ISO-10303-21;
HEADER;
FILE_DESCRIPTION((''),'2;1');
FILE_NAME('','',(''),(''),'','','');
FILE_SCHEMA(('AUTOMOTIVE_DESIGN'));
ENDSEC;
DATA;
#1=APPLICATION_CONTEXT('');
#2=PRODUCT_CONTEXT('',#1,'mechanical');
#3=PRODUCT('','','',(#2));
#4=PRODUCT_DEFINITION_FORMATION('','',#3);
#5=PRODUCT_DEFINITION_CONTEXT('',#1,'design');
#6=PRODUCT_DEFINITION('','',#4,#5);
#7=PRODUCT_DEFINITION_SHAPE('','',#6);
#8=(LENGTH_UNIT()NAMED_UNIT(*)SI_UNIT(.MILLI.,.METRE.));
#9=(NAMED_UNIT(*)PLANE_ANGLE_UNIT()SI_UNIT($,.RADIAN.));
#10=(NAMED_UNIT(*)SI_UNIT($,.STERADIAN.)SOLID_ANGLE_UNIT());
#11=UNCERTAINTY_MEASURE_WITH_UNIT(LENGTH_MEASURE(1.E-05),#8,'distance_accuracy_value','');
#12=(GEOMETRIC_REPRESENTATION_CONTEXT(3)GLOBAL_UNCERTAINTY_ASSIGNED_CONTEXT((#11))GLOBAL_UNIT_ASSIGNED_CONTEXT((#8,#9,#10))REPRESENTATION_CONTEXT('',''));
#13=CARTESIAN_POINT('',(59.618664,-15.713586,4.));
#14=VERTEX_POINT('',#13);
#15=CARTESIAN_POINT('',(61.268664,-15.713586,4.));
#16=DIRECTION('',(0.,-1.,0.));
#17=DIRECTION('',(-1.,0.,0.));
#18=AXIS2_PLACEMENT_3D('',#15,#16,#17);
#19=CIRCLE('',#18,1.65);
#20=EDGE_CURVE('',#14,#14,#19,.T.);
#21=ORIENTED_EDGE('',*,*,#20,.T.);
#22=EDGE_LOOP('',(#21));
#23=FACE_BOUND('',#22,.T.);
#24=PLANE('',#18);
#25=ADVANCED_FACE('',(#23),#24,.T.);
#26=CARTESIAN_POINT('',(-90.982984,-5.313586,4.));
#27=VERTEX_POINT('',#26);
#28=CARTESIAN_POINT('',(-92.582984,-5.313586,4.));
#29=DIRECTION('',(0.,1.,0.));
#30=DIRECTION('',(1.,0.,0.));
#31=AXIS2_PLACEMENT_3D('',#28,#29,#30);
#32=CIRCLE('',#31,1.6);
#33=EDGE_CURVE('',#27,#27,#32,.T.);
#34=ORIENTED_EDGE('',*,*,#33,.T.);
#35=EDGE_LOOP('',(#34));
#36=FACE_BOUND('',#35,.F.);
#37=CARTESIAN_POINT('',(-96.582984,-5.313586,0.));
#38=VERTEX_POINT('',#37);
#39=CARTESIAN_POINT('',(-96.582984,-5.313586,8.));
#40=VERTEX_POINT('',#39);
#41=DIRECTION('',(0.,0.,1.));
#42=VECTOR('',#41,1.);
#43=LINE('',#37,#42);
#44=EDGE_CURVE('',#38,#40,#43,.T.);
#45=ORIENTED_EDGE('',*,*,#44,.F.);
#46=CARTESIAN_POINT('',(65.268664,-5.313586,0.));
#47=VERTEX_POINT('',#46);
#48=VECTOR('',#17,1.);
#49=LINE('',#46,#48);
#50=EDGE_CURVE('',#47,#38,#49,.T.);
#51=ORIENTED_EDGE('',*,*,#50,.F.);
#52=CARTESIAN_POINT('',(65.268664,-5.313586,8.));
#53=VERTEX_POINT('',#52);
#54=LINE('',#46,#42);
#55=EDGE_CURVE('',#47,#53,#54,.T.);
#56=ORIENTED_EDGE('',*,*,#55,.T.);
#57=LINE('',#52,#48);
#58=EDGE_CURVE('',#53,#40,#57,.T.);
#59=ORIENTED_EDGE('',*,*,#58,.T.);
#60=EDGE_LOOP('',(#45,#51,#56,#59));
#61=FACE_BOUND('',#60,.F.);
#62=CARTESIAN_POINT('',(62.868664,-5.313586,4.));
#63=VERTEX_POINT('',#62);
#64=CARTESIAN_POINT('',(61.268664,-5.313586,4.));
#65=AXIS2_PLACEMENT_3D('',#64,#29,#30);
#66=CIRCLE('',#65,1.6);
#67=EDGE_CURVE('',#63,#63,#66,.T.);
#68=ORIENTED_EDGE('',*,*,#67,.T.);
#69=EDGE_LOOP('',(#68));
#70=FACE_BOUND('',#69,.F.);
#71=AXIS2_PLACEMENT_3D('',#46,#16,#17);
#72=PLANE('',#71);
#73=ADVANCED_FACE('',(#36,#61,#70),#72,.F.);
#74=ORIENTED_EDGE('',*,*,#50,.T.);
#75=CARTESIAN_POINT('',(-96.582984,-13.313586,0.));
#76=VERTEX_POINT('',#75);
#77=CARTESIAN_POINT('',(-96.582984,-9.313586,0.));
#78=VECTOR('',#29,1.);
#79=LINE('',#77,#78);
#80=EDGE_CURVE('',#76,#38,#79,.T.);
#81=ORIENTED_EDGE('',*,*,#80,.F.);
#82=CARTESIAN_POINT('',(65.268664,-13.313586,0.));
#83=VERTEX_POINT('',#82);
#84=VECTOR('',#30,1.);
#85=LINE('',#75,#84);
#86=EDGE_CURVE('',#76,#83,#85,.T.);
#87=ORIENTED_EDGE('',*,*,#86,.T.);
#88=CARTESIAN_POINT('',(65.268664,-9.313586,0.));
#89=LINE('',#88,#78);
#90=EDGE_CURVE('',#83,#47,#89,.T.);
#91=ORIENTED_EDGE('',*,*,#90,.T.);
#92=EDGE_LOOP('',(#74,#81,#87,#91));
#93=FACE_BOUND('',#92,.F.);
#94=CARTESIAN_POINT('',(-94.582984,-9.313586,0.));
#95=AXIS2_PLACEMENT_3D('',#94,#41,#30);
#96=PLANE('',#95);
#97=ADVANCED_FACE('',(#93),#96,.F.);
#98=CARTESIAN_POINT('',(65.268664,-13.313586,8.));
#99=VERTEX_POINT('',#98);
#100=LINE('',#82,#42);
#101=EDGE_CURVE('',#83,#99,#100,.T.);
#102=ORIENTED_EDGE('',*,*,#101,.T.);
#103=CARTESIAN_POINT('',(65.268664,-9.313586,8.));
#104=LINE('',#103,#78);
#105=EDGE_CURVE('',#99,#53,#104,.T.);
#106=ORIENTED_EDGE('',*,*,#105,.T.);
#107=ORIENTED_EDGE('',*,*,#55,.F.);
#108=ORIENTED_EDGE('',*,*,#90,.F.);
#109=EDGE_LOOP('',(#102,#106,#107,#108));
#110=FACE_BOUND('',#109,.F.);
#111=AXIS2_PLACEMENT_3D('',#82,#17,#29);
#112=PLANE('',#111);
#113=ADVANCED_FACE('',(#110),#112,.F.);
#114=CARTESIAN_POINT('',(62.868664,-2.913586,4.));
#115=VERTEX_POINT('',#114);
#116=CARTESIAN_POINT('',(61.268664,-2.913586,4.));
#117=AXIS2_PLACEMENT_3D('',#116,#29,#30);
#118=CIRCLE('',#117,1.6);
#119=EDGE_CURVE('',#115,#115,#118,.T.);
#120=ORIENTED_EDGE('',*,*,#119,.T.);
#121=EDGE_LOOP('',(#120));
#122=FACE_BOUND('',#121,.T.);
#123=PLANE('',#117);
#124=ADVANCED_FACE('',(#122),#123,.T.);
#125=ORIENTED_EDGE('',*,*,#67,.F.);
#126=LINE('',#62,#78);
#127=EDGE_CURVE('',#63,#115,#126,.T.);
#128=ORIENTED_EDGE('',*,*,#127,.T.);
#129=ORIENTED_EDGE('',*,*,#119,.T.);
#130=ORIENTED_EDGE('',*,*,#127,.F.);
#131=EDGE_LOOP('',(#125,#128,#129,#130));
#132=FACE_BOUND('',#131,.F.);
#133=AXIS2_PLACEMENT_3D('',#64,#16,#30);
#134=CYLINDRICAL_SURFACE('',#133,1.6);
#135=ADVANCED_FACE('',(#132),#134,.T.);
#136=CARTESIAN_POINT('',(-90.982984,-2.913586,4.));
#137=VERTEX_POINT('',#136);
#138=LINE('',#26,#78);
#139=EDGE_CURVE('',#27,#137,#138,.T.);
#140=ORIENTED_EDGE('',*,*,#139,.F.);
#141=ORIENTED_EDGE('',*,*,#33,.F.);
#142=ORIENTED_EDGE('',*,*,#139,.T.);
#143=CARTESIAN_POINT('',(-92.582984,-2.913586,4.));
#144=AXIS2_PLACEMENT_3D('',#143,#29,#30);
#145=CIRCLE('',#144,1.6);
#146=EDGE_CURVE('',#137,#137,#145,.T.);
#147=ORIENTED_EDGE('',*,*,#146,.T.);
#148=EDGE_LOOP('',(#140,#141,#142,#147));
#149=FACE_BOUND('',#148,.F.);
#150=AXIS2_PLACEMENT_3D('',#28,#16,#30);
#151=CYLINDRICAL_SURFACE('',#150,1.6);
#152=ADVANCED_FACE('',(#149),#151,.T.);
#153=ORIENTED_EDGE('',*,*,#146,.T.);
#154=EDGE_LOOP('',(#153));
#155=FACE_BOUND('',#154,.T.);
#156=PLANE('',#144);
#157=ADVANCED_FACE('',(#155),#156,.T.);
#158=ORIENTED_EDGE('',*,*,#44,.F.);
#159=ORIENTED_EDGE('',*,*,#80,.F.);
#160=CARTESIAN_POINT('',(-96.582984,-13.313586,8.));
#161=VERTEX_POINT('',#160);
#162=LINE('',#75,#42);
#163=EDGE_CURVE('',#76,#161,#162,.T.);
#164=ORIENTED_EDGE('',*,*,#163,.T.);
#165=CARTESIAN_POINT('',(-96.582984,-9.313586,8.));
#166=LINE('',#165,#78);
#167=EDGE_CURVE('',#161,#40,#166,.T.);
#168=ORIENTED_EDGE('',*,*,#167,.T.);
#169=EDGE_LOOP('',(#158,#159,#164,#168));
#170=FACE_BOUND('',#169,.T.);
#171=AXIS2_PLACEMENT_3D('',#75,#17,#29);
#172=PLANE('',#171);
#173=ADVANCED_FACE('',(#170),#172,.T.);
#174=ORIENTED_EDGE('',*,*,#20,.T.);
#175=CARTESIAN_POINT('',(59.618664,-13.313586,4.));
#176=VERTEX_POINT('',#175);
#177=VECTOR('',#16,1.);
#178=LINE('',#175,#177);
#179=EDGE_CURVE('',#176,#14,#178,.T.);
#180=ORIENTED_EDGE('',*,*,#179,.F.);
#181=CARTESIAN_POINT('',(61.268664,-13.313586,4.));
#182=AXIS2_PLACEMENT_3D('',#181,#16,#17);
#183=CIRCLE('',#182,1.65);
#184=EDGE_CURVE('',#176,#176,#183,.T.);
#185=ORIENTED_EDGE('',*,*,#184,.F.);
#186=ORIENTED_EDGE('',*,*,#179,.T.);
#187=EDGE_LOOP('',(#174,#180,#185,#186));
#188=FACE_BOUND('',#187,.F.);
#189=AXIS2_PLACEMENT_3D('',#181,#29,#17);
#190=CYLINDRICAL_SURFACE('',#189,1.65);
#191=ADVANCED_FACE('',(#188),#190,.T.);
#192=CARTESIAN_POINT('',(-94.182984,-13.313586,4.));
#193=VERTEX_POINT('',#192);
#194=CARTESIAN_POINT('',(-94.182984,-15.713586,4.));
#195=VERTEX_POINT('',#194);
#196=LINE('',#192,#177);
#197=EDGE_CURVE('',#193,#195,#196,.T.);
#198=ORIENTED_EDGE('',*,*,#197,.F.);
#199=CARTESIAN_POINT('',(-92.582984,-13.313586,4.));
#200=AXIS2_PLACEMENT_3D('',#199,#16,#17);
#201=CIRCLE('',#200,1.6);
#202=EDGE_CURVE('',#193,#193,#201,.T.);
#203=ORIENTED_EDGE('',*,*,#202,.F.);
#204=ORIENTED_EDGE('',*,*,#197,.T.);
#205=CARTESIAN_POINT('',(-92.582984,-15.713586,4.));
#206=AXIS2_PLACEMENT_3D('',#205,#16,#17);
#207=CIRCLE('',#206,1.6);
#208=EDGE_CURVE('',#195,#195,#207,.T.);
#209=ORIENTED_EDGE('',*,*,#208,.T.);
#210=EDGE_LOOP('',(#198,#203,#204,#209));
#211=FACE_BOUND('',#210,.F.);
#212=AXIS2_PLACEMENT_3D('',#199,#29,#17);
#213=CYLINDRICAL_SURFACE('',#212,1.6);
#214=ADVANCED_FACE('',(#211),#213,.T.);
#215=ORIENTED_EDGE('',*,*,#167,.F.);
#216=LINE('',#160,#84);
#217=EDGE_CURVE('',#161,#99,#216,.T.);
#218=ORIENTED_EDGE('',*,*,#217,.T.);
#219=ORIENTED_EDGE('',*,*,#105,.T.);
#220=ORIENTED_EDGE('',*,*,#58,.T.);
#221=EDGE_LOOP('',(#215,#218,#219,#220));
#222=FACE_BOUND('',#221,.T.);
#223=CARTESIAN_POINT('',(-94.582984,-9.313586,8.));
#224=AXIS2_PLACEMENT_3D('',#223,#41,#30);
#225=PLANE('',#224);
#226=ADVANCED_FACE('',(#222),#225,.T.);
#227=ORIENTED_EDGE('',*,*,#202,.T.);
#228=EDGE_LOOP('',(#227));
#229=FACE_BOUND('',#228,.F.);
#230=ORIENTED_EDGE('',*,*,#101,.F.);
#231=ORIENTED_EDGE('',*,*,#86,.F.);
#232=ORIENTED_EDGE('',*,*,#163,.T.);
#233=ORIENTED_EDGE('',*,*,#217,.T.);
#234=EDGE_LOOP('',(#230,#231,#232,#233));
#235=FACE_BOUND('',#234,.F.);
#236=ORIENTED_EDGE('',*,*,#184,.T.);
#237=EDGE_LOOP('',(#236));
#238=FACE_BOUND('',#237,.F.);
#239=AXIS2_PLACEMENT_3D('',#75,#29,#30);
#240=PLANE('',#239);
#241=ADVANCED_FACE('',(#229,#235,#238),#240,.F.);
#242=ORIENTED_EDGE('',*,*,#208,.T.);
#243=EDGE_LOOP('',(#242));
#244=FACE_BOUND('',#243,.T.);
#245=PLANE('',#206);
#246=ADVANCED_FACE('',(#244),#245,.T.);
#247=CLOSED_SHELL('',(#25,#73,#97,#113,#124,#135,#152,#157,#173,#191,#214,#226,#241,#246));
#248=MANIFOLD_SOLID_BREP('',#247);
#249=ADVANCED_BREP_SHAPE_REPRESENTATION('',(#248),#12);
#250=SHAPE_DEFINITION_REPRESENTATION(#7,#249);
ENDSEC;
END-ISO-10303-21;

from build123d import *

# Parameters (mm, degrees)
SKETCH_1_W      = 4
SKETCH_1_H      = 8
SKETCH_1_W_2    = 153.851648
EXTRUDE_1_DEPTH = 8
SKETCH_2_R      = 1.6
EXTRUDE_2_DEPTH = 2.4
SKETCH_3_R      = 1.6
SKETCH_3_R_2    = 1.65
EXTRUDE_3_DEPTH = 2.4


with BuildPart() as part:
    # 草图1 → 凸台-拉伸1 (new body)
    with BuildSketch(Plane.XY):
        with Locations((-94.582983627, -9.313586075)):
            Rectangle(SKETCH_1_W, SKETCH_1_H)
        with Locations((-15.657159627, -9.313586075)):
            Rectangle(SKETCH_1_W_2, SKETCH_1_H)
        with Locations((63.268664373, -9.313586075)):
            Rectangle(SKETCH_1_W, SKETCH_1_H)
    extrude(amount=EXTRUDE_1_DEPTH)

    # 草图2 → 凸台-拉伸2 (add)
    with BuildSketch(Plane(origin=(0, -5.313586075, 0), x_dir=(1, 0, 0), z_dir=(0, 1, 0))):
        with Locations((-92.582983627, -4)):
            Circle(SKETCH_2_R)
        with Locations((61.268664373, -4)):
            Circle(SKETCH_2_R)
    extrude(amount=EXTRUDE_2_DEPTH)

    # 草图3 → 凸台-拉伸3 (add)
    with BuildSketch(Plane(origin=(0, -13.313586075, 0), x_dir=(-1, 0, 0), z_dir=(0, -1, 0))):
        with Locations((92.582983627, -4)):
            Circle(SKETCH_3_R)
        with Locations((-61.268664373, -4)):
            Circle(SKETCH_3_R_2)
    extrude(amount=EXTRUDE_3_DEPTH)


solid = part.part
